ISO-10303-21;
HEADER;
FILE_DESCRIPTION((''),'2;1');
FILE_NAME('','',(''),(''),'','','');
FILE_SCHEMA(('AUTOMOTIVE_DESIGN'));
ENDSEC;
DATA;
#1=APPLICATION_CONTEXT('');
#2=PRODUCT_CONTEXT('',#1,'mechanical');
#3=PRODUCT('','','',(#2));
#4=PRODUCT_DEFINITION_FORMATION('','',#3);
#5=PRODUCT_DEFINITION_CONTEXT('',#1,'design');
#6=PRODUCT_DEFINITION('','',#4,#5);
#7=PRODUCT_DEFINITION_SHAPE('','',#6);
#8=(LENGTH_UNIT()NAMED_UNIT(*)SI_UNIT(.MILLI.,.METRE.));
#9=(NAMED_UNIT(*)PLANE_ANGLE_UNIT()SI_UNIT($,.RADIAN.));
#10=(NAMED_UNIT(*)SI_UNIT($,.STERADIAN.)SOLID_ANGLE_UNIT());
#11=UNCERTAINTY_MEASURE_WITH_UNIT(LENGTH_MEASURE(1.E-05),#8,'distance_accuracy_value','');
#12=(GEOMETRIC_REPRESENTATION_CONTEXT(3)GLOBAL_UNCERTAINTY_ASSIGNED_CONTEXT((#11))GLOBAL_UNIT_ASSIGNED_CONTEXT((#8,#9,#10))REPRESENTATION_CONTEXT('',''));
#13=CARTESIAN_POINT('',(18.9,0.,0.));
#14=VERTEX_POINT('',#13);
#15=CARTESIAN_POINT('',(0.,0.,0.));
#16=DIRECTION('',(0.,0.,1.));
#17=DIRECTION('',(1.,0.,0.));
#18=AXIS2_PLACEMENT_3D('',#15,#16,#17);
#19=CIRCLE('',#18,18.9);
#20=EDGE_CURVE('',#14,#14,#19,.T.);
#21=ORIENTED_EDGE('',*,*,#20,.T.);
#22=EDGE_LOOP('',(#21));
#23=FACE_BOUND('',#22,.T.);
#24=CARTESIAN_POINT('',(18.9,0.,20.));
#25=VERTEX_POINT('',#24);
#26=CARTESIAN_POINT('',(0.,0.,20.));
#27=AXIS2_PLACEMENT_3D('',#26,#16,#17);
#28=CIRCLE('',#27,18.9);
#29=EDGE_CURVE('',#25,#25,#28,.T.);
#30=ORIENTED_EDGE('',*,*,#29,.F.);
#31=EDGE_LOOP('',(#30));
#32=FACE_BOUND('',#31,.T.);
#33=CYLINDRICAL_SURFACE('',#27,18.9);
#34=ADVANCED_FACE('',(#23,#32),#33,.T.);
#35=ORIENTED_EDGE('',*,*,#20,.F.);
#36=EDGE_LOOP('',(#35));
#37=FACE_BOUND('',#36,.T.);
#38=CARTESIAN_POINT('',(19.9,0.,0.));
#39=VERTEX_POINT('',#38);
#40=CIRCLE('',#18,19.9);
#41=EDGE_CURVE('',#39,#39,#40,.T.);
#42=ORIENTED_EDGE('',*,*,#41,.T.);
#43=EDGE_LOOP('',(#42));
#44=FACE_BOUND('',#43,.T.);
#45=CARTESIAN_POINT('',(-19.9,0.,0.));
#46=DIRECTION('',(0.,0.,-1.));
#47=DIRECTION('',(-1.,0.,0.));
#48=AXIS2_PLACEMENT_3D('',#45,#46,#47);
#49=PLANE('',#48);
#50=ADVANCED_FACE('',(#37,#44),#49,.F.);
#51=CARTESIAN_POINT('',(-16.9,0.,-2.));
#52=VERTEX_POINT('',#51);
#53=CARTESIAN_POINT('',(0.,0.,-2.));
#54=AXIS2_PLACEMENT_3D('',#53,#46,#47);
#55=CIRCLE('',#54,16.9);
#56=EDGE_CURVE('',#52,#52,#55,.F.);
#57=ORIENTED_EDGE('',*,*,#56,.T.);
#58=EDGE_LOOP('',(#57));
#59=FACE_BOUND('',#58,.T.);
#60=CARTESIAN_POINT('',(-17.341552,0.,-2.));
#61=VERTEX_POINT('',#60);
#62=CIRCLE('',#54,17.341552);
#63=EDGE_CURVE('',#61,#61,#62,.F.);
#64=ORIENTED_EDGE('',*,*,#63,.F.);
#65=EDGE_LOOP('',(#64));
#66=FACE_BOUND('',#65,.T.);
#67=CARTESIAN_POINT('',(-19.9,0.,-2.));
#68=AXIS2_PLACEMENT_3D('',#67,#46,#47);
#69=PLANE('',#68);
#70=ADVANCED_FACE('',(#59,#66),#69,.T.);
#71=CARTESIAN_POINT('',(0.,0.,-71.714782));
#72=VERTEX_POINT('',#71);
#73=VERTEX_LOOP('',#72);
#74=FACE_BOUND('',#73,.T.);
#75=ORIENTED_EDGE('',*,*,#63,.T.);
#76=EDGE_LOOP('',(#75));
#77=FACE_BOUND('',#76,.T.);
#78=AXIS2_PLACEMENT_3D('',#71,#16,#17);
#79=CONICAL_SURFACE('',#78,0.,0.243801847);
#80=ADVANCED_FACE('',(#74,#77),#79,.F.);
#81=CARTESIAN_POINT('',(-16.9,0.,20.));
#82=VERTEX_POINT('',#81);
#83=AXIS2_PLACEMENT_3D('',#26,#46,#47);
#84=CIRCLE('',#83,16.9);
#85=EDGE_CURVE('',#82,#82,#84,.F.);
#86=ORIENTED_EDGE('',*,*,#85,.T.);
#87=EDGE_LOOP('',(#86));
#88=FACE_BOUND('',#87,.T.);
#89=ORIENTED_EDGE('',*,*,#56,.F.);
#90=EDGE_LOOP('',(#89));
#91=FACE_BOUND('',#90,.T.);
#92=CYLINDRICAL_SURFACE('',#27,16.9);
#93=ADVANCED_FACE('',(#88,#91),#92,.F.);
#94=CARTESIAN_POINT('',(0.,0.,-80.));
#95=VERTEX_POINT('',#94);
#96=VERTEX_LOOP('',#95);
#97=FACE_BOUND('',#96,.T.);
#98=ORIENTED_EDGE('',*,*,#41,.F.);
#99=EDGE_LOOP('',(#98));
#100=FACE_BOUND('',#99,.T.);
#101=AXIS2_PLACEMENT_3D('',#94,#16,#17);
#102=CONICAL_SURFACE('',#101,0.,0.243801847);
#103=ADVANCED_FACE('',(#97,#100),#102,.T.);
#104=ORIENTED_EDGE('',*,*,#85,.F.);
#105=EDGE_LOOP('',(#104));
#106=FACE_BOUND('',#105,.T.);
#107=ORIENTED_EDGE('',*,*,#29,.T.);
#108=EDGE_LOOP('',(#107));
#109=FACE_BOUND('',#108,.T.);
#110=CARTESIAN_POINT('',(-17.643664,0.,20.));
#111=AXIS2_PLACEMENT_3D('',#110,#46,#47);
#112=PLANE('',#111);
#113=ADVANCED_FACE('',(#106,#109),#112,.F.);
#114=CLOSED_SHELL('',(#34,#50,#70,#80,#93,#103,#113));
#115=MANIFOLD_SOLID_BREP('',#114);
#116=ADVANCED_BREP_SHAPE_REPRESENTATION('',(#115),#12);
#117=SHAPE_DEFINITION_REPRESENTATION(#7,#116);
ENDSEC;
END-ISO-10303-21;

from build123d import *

# Parameters (mm, degrees)
SHELL_1_T = -2


with BuildPart() as part:
    # Эскиз1 → Повернуть1 (revolve)
    with BuildSketch(Plane(origin=(0, 0, 0), x_dir=(1, 0, 0), z_dir=(0, 1, 0)), mode=Mode.PRIVATE) as revolve_1_sk:
        Polygon((0, 80), (-19.9, 0), (-18.9, 0), (-18.9, -20), (-17.643663556, -20), (0, -20), align=None)
    revolve(revolve_1_sk.sketch.rotate(Axis((0, 0, 20), (0, 0, -1)), 180), axis=Axis((0, 0, 20), (0, 0, -1)))

    # Оболочка1
    shell_1_openings = [part.faces().sort_by_distance(p)[0] for p in [
        (0, 0, 20),
    ]]
    offset(amount=SHELL_1_T, openings=shell_1_openings, kind=Kind.INTERSECTION)


solid = part.part
